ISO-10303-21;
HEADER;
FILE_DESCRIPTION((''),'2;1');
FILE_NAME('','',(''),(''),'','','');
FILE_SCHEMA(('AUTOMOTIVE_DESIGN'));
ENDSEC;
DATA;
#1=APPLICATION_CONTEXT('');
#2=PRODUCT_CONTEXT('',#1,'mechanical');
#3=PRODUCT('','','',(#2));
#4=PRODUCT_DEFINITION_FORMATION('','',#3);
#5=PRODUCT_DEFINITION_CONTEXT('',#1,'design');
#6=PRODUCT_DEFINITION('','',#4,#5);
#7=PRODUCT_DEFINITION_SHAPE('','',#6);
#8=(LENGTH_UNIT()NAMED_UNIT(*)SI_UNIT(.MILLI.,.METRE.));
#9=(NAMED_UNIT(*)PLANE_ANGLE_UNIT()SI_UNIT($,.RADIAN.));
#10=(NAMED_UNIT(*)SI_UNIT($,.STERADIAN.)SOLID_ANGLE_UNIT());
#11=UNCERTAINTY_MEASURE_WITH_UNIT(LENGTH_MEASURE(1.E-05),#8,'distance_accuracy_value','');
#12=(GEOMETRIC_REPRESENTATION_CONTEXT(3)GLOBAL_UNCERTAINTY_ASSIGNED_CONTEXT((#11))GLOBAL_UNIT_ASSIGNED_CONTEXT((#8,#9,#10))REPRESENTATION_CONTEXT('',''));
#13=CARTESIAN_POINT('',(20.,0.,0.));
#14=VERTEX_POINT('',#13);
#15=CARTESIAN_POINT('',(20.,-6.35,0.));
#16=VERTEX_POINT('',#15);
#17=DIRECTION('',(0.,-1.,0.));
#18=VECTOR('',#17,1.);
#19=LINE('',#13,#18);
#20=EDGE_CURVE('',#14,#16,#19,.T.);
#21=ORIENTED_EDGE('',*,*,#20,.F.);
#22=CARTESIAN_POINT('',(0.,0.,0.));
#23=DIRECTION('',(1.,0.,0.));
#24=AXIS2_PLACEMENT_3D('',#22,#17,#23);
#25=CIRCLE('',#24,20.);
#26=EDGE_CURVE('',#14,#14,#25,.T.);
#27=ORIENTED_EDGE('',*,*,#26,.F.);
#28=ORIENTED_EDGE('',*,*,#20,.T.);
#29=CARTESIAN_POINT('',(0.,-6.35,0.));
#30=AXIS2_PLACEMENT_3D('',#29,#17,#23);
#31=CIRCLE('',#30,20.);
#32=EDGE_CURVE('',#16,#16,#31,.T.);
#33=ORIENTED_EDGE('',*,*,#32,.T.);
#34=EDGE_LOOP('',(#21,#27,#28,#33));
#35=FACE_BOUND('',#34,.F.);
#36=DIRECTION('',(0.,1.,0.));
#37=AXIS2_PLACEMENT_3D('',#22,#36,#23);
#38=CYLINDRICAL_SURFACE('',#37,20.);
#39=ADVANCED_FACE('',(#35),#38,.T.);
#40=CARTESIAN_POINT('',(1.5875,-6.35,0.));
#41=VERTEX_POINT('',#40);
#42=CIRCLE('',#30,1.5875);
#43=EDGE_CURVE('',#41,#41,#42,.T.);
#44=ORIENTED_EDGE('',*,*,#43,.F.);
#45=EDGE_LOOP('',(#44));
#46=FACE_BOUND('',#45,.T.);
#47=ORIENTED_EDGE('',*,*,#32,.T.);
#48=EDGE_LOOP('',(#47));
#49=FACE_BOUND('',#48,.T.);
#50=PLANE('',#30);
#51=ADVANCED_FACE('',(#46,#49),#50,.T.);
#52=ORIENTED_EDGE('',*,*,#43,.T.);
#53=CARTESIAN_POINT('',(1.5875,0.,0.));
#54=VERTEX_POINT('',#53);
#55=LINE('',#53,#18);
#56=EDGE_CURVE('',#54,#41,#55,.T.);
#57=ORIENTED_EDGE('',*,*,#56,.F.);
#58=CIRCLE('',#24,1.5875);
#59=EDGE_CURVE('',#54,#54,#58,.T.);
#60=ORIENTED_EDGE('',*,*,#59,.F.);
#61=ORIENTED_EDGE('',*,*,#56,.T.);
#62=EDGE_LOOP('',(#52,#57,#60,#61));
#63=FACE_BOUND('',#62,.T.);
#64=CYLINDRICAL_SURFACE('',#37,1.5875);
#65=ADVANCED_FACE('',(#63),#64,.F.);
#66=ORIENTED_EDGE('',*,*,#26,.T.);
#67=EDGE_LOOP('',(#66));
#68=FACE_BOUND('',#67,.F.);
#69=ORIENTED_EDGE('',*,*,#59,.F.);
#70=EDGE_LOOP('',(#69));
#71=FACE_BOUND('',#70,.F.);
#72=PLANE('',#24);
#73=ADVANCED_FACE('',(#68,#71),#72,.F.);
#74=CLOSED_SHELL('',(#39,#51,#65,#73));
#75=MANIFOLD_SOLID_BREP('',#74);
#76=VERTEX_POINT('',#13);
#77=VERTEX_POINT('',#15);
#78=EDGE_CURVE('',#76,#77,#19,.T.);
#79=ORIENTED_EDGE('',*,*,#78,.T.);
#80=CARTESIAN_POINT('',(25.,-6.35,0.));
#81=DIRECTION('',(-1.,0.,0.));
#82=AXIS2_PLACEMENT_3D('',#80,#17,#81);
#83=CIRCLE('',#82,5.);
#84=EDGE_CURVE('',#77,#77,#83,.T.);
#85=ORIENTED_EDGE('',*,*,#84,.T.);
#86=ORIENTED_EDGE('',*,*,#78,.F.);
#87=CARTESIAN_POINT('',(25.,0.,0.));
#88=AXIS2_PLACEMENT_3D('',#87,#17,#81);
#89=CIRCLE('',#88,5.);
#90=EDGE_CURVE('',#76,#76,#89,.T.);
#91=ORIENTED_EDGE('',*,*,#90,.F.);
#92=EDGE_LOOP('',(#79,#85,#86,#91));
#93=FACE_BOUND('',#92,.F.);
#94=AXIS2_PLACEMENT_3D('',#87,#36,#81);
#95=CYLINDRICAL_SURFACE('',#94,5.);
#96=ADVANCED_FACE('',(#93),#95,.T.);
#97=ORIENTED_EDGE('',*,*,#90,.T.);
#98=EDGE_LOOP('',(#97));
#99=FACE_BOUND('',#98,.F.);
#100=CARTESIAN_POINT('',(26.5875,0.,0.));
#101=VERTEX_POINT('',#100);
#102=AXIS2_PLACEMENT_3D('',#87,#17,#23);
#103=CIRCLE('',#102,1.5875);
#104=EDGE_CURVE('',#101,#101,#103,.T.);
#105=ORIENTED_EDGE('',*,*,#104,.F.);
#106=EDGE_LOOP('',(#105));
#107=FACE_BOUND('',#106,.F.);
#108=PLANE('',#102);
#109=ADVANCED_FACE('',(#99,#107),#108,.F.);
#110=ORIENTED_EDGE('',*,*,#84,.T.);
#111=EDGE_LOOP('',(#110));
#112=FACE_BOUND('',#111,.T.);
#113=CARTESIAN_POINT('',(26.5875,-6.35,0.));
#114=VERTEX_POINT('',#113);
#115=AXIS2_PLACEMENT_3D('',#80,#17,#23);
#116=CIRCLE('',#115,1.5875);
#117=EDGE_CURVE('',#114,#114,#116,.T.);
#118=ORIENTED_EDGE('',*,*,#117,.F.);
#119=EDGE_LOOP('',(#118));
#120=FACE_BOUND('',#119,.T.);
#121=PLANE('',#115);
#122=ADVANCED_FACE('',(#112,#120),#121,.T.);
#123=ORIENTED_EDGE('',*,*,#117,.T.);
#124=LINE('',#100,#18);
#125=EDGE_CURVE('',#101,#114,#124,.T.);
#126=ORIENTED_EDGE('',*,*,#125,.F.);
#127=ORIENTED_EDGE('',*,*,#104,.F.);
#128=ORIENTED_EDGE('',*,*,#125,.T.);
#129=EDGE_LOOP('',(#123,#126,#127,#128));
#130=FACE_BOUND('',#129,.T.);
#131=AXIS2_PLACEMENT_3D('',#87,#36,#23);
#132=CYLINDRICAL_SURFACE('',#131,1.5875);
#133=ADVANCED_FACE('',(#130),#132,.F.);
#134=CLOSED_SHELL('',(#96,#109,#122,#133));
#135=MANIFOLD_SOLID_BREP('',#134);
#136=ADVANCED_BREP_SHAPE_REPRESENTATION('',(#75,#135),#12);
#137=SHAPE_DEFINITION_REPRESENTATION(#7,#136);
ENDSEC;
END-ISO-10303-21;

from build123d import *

# Parameters (mm, degrees)
F0_R     = 20
F0_R_2   = 1.5875
F1_DEPTH = 6.35


with BuildPart() as f1:
    # F0 (on Front) → F1 (new body)
    with BuildSketch(Plane.XZ):
        Circle(F0_R)
        Circle(F0_R_2, mode=Mode.SUBTRACT)
        with BuildLine():
            ThreePointArc((30, 0), (25, 5), (20, 0))
            ThreePointArc((20, 0), (25, -5), (30, 0))
        make_face()
        with Locations((25, 0)):
            Circle(F0_R_2, mode=Mode.SUBTRACT)
    extrude(amount=F1_DEPTH)


solid = f1.part
